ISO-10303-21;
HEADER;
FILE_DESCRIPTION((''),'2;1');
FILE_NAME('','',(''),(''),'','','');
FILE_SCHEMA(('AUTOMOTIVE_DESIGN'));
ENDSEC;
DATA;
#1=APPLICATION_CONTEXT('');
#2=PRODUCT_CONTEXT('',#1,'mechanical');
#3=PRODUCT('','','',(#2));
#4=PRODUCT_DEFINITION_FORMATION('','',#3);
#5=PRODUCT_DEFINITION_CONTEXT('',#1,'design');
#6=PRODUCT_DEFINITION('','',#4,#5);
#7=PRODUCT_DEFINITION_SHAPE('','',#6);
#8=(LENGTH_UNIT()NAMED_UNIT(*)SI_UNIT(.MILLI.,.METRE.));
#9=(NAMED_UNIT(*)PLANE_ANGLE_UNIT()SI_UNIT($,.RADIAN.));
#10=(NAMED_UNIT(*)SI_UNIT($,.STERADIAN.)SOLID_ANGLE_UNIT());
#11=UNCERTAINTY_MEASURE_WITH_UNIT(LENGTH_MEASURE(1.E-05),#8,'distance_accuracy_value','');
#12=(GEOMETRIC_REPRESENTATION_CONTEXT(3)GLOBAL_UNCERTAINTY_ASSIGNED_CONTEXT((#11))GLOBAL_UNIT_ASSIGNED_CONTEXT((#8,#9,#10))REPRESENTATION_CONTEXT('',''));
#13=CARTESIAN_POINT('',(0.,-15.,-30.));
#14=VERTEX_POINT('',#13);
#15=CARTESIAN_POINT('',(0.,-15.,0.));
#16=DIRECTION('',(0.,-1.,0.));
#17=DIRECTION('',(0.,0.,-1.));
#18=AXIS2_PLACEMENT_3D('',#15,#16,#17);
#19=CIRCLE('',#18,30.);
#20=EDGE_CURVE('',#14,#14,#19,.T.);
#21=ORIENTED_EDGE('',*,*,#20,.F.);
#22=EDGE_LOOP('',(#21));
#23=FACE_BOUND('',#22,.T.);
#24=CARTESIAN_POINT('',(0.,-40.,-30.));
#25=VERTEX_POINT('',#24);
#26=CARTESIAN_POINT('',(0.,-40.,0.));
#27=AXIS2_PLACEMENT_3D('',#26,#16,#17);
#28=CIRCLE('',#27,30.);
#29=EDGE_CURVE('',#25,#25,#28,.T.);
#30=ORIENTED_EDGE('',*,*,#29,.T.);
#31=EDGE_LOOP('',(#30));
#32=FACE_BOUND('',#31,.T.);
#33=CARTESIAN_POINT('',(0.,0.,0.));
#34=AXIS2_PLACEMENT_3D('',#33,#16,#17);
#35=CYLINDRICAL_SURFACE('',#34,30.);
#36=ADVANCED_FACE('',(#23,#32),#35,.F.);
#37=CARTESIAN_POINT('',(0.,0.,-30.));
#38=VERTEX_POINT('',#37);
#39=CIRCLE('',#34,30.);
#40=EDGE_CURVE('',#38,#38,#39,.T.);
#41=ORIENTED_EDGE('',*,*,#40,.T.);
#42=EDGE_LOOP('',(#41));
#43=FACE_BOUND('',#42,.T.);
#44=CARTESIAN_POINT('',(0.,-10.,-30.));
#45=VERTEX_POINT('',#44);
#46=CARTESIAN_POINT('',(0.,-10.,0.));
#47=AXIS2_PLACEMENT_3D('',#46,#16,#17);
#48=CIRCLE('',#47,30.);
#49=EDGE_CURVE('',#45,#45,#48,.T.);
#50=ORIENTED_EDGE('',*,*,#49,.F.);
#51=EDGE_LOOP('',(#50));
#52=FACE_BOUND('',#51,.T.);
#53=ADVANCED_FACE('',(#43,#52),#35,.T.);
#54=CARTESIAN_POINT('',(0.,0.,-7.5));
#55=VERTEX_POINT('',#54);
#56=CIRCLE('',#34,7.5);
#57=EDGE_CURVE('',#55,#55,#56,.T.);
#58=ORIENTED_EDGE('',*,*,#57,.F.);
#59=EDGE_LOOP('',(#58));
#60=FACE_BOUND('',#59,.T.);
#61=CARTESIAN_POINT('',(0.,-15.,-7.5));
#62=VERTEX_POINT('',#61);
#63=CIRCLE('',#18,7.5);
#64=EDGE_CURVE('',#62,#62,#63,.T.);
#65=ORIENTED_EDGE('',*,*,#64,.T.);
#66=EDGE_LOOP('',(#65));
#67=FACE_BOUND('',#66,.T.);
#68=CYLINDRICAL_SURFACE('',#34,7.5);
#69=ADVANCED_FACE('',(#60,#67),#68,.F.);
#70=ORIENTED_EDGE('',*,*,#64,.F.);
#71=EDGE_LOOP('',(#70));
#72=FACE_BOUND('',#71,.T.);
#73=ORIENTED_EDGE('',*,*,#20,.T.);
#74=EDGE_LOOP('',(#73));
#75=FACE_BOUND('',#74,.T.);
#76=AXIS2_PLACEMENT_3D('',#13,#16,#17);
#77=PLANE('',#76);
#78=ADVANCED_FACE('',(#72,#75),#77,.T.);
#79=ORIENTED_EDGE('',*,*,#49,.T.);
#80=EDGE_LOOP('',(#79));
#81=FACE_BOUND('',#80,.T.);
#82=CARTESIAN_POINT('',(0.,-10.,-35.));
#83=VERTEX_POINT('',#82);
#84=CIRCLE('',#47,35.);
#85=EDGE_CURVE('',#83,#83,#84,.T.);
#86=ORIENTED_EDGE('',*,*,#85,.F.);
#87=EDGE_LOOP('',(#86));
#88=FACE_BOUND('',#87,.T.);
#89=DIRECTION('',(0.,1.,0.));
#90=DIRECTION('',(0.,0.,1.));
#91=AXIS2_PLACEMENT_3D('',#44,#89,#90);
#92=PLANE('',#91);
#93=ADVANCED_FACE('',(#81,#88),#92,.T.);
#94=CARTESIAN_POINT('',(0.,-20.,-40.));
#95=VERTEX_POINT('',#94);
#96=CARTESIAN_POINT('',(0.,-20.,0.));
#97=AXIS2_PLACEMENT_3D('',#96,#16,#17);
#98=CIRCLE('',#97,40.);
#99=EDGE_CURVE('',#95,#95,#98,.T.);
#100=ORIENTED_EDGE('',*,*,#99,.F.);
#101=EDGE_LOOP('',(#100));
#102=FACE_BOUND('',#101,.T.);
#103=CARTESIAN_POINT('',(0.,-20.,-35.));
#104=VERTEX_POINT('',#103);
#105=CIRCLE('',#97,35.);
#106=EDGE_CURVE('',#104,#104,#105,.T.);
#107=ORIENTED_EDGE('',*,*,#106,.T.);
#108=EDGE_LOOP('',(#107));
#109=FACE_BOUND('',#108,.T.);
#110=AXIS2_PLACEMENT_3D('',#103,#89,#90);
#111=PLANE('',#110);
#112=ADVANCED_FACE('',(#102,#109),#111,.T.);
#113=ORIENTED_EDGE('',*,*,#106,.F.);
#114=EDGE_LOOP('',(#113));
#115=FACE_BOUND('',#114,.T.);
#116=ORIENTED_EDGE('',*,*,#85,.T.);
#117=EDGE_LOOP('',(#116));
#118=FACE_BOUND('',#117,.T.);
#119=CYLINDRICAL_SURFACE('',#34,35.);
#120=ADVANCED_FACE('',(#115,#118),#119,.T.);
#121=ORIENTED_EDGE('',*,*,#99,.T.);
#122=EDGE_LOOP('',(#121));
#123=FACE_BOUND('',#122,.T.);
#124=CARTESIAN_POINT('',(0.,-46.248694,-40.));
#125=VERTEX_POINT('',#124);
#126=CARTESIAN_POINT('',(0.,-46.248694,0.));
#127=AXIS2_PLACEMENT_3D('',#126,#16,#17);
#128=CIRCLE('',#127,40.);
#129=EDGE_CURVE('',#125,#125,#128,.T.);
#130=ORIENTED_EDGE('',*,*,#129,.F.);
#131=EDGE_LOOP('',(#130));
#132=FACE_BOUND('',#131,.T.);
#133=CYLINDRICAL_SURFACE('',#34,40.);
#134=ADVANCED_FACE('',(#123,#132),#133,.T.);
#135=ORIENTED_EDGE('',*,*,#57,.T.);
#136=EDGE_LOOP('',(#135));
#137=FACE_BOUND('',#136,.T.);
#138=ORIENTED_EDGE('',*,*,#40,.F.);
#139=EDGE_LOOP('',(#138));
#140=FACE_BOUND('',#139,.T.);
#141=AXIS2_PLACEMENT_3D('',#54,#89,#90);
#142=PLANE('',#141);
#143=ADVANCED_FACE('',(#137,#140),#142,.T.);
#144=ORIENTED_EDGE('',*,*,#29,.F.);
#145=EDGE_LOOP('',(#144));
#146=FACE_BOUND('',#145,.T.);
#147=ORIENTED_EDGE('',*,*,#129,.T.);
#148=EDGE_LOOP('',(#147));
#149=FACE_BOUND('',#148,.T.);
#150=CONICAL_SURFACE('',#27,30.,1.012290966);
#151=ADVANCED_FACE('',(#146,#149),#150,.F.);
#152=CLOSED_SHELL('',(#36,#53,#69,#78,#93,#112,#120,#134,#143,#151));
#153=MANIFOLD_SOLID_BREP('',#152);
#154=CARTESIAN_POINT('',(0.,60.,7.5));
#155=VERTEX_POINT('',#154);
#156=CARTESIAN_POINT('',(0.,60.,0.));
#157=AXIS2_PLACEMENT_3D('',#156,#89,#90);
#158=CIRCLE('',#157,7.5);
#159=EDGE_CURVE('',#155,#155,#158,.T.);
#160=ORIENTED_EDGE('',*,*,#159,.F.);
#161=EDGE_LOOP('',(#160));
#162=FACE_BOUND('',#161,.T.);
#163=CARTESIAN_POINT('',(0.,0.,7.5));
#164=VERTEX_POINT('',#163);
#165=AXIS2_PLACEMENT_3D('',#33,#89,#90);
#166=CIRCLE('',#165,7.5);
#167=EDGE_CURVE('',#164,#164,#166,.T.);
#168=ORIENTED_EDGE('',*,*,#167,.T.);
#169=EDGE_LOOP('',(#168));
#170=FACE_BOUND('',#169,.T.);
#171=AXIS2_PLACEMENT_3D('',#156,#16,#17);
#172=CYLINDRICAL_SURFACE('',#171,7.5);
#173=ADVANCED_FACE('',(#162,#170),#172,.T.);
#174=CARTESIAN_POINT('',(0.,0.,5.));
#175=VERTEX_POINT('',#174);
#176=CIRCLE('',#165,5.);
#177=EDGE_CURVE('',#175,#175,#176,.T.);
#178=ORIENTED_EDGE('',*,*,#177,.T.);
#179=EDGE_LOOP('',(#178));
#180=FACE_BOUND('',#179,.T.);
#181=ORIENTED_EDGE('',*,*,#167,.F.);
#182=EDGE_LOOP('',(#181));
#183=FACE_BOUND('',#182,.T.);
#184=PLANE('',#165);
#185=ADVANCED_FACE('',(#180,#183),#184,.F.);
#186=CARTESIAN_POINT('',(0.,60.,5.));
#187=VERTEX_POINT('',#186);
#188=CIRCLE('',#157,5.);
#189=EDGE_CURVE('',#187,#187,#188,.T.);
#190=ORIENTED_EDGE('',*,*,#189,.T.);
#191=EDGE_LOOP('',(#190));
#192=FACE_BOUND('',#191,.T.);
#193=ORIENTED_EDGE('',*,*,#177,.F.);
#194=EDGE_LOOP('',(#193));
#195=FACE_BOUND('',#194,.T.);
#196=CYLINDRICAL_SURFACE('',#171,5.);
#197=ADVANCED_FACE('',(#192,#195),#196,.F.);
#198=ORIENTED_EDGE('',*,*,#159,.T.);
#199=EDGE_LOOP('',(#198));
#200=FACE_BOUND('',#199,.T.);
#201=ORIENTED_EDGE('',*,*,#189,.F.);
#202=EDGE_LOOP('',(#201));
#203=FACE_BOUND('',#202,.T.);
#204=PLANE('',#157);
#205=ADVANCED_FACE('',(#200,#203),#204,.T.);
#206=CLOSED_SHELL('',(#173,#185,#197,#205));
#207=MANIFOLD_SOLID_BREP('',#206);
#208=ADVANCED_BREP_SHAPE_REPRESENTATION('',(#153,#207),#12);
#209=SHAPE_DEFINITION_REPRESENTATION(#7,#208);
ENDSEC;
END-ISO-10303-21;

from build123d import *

# Parameters (mm, degrees)
SKETCH3_R           = 7.5
SKETCH3_R_2         = 5
BOSS_EXTRUDE1_DEPTH = 60


with BuildPart() as part:
    # Sketch3 → Boss-Extrude1 (new body)
    with BuildSketch(Plane(origin=(0, 0, 0), x_dir=(1, 0, 0), z_dir=(0, 1, 0))):
        with Locations(Location((0, 0, 0), (0, 0, 270))):
            Circle(SKETCH3_R)
        with Locations(Location((0, 0, 0), (0, 0, 270))):
            Circle(SKETCH3_R_2, mode=Mode.SUBTRACT)
    extrude(amount=BOSS_EXTRUDE1_DEPTH)


with BuildPart() as body_2:
    # Sketch4 → Revolve1 (revolve)
    with BuildSketch(Plane(origin=(0, 0, 0), x_dir=(0, 0, -1), z_dir=(1, 0, 0))):
        Polygon((7.5, 0), (30, 0), (30, -10), (35, -10), (35, -20), (40, -20), (40, -46.248693519), (30, -40), (30, -15), (7.5, -15), align=None)
    revolve(axis=Axis((0, 0, 0), (0, 1, 0)))


solid = Compound([part.part, body_2.part])
